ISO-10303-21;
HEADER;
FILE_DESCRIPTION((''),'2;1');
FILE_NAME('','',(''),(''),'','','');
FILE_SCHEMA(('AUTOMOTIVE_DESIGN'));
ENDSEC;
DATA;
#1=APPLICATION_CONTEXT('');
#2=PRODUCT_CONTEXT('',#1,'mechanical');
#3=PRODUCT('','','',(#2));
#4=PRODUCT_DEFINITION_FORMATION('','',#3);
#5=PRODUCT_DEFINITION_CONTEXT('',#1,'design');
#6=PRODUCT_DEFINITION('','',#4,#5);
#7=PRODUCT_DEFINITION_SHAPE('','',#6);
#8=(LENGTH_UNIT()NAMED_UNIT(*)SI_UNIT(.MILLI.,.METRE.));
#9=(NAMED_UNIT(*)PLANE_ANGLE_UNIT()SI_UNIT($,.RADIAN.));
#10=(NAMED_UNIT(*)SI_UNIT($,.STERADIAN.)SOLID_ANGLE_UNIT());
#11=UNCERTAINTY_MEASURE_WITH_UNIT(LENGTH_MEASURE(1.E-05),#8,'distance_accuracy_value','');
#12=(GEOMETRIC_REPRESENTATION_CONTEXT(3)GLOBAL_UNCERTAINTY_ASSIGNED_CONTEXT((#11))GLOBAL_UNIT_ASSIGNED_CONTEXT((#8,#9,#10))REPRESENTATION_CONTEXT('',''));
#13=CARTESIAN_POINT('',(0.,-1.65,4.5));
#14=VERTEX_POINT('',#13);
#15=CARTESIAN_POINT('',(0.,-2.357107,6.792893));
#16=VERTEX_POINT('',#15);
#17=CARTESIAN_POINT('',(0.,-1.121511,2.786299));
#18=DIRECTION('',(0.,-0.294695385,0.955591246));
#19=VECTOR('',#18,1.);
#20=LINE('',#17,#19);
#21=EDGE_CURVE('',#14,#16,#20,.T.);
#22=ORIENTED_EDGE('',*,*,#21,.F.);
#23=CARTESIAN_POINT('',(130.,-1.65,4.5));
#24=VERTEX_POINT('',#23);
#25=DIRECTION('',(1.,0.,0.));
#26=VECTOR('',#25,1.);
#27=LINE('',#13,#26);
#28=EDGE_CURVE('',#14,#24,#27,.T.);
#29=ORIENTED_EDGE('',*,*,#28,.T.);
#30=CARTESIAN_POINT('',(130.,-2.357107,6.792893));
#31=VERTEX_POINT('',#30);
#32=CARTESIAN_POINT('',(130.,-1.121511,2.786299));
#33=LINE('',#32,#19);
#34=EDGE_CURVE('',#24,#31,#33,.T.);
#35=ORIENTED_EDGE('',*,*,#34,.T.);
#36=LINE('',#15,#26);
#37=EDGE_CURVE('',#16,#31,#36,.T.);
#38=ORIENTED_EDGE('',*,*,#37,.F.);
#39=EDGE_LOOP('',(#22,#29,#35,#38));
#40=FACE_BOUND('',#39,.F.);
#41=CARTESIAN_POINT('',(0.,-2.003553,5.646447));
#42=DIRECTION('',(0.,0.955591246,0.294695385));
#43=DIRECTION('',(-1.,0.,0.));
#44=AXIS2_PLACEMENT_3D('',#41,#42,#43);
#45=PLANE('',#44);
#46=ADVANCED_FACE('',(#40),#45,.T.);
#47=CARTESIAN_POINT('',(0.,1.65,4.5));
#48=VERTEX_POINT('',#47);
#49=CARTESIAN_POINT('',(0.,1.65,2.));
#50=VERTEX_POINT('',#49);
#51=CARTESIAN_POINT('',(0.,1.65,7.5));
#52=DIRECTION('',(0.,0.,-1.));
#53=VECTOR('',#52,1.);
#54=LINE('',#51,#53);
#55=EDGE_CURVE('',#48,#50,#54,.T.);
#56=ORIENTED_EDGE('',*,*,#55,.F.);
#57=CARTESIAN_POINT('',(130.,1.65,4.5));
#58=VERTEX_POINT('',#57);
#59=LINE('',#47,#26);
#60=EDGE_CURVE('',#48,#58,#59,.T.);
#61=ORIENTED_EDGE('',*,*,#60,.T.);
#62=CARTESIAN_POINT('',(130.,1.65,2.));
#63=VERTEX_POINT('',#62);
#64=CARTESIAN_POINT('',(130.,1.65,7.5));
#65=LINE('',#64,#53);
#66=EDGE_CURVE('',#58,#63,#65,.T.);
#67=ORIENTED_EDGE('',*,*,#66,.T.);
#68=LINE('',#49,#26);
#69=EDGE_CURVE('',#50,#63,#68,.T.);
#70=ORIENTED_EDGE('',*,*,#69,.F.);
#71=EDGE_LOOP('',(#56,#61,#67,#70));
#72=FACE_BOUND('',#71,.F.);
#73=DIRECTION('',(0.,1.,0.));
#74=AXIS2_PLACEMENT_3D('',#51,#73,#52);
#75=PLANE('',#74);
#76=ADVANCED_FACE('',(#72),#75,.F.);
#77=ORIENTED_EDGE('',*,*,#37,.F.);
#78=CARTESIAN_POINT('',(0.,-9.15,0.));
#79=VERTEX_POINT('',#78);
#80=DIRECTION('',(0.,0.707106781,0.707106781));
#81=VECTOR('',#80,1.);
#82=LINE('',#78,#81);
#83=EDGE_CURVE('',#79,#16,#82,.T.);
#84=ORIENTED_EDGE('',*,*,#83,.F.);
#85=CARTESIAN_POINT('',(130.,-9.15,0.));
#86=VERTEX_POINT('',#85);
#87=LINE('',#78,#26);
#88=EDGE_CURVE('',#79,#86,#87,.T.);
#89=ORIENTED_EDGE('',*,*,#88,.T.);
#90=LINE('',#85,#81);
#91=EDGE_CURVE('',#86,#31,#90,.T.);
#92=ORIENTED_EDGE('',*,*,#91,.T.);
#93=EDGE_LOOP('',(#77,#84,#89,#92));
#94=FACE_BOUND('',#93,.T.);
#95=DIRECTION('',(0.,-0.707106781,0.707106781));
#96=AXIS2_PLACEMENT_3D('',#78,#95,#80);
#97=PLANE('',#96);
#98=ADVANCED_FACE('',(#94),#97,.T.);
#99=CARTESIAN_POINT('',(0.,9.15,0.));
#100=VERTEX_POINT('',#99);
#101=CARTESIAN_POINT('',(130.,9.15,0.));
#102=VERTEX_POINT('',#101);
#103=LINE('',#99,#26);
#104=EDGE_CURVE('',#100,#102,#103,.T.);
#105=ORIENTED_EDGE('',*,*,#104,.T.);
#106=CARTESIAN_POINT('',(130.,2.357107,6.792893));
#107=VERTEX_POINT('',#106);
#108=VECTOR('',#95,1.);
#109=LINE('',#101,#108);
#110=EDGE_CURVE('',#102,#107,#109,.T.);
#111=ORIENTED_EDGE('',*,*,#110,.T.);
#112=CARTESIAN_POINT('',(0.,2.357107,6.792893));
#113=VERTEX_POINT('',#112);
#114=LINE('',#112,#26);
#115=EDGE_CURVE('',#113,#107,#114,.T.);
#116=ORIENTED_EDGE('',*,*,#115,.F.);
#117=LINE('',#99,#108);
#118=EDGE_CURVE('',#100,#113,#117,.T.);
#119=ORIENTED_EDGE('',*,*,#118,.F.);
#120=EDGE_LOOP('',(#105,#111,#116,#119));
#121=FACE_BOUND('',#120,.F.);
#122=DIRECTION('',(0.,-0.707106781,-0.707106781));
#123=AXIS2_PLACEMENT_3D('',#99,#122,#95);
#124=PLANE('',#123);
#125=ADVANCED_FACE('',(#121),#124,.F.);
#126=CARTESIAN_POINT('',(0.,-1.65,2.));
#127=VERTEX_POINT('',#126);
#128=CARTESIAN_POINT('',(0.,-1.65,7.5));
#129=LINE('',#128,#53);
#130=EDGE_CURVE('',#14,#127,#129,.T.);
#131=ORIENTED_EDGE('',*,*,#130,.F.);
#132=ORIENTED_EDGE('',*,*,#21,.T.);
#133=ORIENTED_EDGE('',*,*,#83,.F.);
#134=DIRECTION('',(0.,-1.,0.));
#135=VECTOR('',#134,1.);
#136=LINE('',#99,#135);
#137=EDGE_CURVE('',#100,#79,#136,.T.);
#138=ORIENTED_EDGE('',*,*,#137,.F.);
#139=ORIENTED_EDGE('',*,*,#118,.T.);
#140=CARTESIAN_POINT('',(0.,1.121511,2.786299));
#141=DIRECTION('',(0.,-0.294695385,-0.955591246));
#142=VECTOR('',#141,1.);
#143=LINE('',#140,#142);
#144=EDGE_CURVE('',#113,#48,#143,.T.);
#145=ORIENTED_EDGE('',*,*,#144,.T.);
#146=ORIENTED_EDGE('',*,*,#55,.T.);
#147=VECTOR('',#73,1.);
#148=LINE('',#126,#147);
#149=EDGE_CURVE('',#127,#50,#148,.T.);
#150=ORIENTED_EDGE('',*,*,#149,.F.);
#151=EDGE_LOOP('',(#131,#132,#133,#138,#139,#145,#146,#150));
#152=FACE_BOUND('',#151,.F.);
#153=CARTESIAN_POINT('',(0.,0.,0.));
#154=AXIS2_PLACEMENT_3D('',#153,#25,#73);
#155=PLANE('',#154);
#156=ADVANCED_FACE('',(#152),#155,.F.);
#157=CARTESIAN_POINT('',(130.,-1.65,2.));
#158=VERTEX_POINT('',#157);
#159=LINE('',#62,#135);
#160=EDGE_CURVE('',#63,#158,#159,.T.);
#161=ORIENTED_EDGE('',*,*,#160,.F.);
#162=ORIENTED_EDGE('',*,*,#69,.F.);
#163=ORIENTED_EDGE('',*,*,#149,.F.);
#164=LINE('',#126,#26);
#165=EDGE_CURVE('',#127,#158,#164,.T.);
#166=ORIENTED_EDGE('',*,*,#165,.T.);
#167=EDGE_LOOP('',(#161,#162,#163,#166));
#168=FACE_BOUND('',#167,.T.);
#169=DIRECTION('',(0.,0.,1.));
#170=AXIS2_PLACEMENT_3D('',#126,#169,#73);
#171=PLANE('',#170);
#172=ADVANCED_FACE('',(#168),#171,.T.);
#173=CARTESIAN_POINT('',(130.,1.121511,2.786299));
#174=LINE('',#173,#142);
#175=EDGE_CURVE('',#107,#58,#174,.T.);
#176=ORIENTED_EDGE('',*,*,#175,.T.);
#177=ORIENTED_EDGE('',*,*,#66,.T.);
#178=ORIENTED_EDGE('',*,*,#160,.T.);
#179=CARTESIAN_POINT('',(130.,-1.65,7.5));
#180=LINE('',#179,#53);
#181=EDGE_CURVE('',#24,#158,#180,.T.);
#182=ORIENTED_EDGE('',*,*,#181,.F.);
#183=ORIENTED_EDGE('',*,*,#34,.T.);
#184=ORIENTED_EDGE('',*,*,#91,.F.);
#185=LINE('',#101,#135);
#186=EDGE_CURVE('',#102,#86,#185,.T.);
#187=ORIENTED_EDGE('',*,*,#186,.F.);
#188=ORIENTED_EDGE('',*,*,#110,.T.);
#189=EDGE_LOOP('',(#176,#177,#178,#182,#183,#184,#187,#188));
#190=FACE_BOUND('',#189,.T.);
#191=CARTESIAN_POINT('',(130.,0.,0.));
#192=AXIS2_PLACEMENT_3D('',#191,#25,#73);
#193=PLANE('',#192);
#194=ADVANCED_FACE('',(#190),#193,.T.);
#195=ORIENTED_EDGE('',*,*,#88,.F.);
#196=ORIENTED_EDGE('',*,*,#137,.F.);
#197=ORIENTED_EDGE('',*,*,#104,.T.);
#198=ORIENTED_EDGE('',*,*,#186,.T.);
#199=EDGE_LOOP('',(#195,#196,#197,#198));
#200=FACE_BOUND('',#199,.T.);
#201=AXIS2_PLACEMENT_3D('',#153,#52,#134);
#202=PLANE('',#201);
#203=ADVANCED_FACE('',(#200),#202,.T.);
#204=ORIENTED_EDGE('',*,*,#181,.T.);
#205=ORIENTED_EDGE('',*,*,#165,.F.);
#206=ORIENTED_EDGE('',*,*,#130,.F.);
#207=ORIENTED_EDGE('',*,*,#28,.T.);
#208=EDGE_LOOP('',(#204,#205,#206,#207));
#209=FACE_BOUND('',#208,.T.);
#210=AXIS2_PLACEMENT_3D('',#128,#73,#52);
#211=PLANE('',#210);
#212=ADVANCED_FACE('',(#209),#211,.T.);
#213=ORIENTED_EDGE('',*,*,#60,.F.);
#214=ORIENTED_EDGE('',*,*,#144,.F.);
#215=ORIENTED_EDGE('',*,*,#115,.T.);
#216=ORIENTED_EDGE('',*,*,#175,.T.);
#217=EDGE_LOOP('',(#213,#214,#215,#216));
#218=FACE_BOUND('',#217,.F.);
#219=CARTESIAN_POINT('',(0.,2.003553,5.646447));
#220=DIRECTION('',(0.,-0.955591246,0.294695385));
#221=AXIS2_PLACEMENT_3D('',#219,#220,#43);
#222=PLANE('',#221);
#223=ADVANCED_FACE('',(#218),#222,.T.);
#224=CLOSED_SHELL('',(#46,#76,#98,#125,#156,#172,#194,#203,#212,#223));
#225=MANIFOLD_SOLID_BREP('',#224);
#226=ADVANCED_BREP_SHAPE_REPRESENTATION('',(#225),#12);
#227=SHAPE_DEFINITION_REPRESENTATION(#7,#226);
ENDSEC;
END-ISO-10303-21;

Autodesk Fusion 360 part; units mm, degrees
sketch "Esquisse1" plane through (0, 0, 0) normal (1, 0, 0) x (0, 1, 0)
  line L0 (0, 0) -> (9.15, 0)
  line L1 (9.15, 0) -> (1.65, 7.5)
  line L2 (1.65, 7.5) -> (1.65, 2)
  line L3 (1.65, 2) -> (0, 2)
  line L4 (0, 2.5) -> (0, 20)
  line L5 (-1.65, 2) -> (0, 2)
  line L6 (0, 0) -> (-9.15, 0)
  line L7 (-1.65, 7.5) -> (-1.65, 2)
  line L8 (-9.15, 0) -> (-1.65, 7.5)
  dimension "d2" = 45
  dimension "d3" = 5.5
  dimension "d5" = 2
  dimension "d6" = 3.3
extrude "Extrusion1" add sketch "Esquisse1" along normal blind 130
chamfer "Chanfrein1" distance 3 distance2 1 1 edges at (65, -1.65, 7.5) measured on face at (43.3333, -1.65, 5.6667)
chamfer "Chanfrein2" distance 1 distance2 3 1 edges at (65, 1.65, 7.5) measured on face at (43.3333, 6.65, 2.5)
component "Component" placed x (1, 0, 0) y (0, 1, 0) z (0, 0, 1) at (0, 0, 0)
